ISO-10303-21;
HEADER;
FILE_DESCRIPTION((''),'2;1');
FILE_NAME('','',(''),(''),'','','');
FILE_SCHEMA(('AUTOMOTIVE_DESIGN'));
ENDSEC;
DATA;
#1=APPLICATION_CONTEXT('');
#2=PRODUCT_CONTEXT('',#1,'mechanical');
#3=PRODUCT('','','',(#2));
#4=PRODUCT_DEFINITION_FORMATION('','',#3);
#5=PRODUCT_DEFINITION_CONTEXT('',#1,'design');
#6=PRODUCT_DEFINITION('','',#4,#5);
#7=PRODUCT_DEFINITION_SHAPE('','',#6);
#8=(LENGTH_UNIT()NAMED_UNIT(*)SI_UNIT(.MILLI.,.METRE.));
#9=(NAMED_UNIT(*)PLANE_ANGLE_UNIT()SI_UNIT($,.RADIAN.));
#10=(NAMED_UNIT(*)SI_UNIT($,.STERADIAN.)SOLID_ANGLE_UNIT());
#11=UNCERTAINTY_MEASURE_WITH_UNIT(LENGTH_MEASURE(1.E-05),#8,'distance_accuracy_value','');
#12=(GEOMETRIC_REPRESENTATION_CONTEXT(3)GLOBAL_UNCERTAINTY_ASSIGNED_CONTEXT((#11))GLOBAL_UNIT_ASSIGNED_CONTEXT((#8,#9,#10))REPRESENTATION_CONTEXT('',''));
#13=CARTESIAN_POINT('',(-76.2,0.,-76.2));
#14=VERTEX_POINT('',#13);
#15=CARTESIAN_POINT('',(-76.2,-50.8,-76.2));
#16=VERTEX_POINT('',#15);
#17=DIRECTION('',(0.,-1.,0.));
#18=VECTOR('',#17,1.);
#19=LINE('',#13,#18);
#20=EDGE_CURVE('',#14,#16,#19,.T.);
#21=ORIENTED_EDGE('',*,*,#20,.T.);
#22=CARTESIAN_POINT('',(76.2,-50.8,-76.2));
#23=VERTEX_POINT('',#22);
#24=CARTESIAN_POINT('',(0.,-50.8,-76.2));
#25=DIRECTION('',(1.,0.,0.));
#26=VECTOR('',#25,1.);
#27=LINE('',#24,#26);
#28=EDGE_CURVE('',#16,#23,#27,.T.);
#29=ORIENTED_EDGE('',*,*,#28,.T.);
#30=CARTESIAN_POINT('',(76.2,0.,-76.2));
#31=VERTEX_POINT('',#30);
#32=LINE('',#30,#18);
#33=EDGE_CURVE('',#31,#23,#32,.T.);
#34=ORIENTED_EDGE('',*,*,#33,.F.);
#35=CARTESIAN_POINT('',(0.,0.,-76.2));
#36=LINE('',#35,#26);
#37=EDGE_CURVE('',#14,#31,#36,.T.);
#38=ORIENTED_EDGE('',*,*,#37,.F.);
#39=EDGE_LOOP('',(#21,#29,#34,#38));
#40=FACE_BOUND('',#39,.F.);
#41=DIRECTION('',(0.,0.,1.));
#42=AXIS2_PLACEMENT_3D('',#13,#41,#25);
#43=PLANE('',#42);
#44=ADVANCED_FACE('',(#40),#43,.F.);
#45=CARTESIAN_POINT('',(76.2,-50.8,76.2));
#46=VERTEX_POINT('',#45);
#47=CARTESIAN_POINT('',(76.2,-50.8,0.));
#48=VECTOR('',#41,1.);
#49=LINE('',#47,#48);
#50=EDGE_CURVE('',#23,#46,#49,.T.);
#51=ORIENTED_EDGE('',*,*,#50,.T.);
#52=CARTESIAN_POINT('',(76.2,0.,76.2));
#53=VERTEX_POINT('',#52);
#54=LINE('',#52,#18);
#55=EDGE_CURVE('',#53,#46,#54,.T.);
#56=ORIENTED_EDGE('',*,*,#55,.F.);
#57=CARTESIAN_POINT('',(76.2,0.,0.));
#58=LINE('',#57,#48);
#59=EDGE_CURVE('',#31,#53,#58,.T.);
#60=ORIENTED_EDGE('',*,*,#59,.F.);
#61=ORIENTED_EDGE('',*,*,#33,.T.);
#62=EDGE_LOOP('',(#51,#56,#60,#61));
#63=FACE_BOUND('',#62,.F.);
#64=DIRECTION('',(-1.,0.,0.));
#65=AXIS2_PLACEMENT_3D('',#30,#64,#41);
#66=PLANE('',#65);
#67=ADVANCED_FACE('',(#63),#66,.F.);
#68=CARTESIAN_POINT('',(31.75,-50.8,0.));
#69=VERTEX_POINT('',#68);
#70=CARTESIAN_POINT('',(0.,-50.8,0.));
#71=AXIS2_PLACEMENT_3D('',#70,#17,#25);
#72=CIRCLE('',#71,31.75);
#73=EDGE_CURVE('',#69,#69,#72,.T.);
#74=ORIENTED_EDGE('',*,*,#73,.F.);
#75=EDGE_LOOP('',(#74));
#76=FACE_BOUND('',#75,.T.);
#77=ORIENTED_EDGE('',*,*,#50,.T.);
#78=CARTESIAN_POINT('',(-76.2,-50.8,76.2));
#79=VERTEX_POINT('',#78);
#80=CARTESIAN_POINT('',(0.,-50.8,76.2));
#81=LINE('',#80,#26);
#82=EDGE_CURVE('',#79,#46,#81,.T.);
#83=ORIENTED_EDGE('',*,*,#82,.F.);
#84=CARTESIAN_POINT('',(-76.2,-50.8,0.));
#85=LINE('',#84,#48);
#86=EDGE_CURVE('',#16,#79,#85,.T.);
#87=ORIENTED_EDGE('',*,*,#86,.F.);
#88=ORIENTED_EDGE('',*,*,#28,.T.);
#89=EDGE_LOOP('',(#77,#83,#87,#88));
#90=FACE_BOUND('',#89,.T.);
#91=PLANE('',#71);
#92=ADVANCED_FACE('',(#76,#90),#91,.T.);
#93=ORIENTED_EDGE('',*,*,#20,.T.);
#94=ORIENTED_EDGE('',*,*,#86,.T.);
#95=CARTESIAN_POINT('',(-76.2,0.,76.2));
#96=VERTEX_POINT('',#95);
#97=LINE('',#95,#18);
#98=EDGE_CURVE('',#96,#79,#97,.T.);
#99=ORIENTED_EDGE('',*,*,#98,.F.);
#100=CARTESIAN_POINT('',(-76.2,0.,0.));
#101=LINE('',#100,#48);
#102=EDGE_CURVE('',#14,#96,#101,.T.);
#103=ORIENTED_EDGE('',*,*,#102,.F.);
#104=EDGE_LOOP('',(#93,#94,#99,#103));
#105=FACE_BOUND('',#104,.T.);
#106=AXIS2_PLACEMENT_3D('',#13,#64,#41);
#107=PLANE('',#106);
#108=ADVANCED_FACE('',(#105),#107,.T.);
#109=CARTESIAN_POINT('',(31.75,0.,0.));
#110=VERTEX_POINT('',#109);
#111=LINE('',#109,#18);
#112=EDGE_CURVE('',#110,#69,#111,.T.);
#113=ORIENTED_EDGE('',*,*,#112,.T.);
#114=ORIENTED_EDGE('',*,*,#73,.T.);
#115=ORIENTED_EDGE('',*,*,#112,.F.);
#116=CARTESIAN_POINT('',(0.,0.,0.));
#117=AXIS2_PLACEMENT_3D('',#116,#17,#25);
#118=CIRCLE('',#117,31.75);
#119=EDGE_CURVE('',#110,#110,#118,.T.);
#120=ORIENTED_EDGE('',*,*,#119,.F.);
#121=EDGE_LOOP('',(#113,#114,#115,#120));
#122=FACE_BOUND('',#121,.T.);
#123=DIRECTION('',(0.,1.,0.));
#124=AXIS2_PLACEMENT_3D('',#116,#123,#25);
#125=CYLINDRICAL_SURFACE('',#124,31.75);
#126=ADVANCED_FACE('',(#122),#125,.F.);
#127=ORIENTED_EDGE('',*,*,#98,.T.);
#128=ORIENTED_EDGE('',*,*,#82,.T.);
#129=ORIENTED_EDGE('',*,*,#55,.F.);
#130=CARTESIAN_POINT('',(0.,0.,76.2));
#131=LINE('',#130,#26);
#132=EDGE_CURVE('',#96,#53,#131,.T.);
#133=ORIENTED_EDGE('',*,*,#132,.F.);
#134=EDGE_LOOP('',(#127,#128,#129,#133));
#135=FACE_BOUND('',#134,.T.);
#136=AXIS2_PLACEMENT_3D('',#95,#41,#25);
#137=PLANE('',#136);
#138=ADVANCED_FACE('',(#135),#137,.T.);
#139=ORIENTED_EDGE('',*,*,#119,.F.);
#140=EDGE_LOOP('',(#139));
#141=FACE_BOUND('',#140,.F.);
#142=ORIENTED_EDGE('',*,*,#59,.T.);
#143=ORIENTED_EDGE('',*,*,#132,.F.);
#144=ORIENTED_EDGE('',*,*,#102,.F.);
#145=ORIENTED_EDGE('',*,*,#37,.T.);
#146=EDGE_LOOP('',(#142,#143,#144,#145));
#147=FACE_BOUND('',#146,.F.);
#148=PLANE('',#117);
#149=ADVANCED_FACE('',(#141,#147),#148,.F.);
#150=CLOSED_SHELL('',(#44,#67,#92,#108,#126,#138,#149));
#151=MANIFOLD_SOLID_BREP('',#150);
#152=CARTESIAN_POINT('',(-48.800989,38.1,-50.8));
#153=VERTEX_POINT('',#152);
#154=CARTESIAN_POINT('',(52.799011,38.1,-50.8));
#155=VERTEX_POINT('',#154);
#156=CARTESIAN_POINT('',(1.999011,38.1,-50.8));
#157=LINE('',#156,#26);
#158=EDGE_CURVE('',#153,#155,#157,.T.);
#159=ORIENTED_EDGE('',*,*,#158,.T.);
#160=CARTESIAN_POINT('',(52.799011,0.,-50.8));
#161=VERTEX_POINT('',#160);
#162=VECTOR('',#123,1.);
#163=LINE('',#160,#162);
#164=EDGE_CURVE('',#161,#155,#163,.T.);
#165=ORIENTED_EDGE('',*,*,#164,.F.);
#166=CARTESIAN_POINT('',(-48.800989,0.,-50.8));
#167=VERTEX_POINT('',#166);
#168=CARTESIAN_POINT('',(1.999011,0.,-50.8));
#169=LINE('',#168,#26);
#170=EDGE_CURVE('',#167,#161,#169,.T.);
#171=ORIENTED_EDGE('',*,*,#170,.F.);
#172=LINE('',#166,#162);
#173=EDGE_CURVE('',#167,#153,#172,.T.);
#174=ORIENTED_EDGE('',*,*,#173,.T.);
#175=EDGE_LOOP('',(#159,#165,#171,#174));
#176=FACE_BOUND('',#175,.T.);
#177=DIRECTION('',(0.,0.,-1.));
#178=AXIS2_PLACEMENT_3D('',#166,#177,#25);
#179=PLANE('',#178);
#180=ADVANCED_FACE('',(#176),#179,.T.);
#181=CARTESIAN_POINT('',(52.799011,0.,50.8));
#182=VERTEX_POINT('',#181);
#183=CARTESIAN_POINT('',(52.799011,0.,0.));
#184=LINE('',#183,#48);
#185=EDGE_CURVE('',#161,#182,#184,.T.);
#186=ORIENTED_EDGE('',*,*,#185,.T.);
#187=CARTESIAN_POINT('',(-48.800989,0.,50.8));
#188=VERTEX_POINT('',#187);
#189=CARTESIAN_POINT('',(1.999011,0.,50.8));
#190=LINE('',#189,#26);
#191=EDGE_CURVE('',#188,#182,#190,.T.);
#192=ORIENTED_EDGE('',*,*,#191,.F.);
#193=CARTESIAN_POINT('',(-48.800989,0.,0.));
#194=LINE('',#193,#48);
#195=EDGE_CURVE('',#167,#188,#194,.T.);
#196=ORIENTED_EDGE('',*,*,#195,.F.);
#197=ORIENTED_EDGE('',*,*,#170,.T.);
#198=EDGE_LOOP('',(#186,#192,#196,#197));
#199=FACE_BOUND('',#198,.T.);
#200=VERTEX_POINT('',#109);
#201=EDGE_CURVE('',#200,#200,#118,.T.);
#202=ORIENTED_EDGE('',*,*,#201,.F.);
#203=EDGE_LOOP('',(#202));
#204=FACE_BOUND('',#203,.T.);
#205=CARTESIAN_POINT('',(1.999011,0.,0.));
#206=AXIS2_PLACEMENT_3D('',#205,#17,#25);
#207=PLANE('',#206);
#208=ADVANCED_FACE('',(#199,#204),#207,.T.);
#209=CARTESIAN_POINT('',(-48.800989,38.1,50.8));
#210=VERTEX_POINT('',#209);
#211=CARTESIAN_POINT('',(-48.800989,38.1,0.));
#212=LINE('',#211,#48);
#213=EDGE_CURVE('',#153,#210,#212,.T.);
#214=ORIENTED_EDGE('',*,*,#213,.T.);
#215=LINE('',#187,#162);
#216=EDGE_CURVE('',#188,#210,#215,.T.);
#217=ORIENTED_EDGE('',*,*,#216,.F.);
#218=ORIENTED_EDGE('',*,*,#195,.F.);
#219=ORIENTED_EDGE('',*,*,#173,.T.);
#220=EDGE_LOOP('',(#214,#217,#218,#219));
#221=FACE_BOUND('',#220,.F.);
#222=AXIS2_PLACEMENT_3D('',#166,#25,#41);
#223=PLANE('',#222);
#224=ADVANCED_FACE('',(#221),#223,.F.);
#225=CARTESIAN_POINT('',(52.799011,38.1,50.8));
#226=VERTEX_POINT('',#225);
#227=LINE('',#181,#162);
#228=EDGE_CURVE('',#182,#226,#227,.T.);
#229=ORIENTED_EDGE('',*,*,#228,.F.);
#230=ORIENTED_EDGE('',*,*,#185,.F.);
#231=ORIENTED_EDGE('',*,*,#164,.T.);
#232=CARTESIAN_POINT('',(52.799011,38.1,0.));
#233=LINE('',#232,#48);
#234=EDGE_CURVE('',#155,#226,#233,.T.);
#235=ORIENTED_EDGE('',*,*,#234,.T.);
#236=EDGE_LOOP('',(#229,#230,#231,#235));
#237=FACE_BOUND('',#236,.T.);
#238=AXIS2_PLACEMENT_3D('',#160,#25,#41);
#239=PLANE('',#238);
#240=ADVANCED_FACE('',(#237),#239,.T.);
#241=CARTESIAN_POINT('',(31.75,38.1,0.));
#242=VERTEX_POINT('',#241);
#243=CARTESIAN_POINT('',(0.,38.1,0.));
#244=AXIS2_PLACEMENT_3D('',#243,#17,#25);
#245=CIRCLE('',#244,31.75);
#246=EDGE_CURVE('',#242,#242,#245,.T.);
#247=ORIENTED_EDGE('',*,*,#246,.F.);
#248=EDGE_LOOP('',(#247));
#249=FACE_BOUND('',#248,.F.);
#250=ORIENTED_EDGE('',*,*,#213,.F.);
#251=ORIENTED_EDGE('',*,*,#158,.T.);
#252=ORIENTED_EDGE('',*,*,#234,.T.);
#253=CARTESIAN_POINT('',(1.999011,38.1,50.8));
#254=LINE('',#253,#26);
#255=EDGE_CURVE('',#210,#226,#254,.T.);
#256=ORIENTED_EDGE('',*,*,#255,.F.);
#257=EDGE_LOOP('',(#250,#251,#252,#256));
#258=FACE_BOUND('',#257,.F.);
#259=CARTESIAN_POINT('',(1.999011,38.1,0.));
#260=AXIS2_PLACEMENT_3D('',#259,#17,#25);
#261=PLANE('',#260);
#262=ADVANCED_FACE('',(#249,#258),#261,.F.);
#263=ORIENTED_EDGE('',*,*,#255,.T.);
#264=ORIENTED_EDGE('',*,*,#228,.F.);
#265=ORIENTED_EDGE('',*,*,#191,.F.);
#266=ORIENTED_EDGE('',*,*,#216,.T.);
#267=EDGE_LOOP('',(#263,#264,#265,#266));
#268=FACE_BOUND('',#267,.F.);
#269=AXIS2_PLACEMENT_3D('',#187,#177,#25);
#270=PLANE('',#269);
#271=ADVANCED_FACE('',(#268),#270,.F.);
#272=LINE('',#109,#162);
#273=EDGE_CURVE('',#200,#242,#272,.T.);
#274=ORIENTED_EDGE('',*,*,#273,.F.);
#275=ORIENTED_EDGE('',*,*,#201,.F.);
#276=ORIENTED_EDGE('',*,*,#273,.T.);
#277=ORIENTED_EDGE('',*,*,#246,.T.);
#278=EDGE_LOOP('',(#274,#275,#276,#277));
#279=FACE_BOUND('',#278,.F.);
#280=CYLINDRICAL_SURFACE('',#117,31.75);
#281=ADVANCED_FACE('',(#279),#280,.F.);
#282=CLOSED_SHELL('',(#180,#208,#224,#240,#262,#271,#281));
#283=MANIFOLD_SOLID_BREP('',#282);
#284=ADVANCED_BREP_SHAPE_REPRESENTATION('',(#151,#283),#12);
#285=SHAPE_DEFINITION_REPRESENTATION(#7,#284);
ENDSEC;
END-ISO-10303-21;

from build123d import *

# Parameters (mm, degrees)
F0_W     = 101.6
F0_H     = 101.6
F0_R     = 31.75
F1_DEPTH = 38.1
F0_W_2   = 152.4
F0_H_2   = 152.4
F2_DEPTH = 50.8


with BuildPart() as f1:
    # F0 (on Front) → F1 (new body)
    with BuildSketch(Plane.XZ):
        with Locations((1.999011, 0)):
            Rectangle(F0_W, F0_H)
        Circle(F0_R, mode=Mode.SUBTRACT)
    extrude(amount=-F1_DEPTH)


with BuildPart() as f2:
    # F0 (on Front) → F2 (new body)
    with BuildSketch(Plane.XZ):
        Rectangle(F0_W_2, F0_H_2)
        with Locations((1.999011, 0)):
            Rectangle(F0_W, F0_H, mode=Mode.SUBTRACT)
        with Locations((1.999011, 0)):
            Rectangle(F0_W, F0_H)
        Circle(F0_R, mode=Mode.SUBTRACT)
    extrude(amount=F2_DEPTH)


solid = Compound([f1.part, f2.part])
